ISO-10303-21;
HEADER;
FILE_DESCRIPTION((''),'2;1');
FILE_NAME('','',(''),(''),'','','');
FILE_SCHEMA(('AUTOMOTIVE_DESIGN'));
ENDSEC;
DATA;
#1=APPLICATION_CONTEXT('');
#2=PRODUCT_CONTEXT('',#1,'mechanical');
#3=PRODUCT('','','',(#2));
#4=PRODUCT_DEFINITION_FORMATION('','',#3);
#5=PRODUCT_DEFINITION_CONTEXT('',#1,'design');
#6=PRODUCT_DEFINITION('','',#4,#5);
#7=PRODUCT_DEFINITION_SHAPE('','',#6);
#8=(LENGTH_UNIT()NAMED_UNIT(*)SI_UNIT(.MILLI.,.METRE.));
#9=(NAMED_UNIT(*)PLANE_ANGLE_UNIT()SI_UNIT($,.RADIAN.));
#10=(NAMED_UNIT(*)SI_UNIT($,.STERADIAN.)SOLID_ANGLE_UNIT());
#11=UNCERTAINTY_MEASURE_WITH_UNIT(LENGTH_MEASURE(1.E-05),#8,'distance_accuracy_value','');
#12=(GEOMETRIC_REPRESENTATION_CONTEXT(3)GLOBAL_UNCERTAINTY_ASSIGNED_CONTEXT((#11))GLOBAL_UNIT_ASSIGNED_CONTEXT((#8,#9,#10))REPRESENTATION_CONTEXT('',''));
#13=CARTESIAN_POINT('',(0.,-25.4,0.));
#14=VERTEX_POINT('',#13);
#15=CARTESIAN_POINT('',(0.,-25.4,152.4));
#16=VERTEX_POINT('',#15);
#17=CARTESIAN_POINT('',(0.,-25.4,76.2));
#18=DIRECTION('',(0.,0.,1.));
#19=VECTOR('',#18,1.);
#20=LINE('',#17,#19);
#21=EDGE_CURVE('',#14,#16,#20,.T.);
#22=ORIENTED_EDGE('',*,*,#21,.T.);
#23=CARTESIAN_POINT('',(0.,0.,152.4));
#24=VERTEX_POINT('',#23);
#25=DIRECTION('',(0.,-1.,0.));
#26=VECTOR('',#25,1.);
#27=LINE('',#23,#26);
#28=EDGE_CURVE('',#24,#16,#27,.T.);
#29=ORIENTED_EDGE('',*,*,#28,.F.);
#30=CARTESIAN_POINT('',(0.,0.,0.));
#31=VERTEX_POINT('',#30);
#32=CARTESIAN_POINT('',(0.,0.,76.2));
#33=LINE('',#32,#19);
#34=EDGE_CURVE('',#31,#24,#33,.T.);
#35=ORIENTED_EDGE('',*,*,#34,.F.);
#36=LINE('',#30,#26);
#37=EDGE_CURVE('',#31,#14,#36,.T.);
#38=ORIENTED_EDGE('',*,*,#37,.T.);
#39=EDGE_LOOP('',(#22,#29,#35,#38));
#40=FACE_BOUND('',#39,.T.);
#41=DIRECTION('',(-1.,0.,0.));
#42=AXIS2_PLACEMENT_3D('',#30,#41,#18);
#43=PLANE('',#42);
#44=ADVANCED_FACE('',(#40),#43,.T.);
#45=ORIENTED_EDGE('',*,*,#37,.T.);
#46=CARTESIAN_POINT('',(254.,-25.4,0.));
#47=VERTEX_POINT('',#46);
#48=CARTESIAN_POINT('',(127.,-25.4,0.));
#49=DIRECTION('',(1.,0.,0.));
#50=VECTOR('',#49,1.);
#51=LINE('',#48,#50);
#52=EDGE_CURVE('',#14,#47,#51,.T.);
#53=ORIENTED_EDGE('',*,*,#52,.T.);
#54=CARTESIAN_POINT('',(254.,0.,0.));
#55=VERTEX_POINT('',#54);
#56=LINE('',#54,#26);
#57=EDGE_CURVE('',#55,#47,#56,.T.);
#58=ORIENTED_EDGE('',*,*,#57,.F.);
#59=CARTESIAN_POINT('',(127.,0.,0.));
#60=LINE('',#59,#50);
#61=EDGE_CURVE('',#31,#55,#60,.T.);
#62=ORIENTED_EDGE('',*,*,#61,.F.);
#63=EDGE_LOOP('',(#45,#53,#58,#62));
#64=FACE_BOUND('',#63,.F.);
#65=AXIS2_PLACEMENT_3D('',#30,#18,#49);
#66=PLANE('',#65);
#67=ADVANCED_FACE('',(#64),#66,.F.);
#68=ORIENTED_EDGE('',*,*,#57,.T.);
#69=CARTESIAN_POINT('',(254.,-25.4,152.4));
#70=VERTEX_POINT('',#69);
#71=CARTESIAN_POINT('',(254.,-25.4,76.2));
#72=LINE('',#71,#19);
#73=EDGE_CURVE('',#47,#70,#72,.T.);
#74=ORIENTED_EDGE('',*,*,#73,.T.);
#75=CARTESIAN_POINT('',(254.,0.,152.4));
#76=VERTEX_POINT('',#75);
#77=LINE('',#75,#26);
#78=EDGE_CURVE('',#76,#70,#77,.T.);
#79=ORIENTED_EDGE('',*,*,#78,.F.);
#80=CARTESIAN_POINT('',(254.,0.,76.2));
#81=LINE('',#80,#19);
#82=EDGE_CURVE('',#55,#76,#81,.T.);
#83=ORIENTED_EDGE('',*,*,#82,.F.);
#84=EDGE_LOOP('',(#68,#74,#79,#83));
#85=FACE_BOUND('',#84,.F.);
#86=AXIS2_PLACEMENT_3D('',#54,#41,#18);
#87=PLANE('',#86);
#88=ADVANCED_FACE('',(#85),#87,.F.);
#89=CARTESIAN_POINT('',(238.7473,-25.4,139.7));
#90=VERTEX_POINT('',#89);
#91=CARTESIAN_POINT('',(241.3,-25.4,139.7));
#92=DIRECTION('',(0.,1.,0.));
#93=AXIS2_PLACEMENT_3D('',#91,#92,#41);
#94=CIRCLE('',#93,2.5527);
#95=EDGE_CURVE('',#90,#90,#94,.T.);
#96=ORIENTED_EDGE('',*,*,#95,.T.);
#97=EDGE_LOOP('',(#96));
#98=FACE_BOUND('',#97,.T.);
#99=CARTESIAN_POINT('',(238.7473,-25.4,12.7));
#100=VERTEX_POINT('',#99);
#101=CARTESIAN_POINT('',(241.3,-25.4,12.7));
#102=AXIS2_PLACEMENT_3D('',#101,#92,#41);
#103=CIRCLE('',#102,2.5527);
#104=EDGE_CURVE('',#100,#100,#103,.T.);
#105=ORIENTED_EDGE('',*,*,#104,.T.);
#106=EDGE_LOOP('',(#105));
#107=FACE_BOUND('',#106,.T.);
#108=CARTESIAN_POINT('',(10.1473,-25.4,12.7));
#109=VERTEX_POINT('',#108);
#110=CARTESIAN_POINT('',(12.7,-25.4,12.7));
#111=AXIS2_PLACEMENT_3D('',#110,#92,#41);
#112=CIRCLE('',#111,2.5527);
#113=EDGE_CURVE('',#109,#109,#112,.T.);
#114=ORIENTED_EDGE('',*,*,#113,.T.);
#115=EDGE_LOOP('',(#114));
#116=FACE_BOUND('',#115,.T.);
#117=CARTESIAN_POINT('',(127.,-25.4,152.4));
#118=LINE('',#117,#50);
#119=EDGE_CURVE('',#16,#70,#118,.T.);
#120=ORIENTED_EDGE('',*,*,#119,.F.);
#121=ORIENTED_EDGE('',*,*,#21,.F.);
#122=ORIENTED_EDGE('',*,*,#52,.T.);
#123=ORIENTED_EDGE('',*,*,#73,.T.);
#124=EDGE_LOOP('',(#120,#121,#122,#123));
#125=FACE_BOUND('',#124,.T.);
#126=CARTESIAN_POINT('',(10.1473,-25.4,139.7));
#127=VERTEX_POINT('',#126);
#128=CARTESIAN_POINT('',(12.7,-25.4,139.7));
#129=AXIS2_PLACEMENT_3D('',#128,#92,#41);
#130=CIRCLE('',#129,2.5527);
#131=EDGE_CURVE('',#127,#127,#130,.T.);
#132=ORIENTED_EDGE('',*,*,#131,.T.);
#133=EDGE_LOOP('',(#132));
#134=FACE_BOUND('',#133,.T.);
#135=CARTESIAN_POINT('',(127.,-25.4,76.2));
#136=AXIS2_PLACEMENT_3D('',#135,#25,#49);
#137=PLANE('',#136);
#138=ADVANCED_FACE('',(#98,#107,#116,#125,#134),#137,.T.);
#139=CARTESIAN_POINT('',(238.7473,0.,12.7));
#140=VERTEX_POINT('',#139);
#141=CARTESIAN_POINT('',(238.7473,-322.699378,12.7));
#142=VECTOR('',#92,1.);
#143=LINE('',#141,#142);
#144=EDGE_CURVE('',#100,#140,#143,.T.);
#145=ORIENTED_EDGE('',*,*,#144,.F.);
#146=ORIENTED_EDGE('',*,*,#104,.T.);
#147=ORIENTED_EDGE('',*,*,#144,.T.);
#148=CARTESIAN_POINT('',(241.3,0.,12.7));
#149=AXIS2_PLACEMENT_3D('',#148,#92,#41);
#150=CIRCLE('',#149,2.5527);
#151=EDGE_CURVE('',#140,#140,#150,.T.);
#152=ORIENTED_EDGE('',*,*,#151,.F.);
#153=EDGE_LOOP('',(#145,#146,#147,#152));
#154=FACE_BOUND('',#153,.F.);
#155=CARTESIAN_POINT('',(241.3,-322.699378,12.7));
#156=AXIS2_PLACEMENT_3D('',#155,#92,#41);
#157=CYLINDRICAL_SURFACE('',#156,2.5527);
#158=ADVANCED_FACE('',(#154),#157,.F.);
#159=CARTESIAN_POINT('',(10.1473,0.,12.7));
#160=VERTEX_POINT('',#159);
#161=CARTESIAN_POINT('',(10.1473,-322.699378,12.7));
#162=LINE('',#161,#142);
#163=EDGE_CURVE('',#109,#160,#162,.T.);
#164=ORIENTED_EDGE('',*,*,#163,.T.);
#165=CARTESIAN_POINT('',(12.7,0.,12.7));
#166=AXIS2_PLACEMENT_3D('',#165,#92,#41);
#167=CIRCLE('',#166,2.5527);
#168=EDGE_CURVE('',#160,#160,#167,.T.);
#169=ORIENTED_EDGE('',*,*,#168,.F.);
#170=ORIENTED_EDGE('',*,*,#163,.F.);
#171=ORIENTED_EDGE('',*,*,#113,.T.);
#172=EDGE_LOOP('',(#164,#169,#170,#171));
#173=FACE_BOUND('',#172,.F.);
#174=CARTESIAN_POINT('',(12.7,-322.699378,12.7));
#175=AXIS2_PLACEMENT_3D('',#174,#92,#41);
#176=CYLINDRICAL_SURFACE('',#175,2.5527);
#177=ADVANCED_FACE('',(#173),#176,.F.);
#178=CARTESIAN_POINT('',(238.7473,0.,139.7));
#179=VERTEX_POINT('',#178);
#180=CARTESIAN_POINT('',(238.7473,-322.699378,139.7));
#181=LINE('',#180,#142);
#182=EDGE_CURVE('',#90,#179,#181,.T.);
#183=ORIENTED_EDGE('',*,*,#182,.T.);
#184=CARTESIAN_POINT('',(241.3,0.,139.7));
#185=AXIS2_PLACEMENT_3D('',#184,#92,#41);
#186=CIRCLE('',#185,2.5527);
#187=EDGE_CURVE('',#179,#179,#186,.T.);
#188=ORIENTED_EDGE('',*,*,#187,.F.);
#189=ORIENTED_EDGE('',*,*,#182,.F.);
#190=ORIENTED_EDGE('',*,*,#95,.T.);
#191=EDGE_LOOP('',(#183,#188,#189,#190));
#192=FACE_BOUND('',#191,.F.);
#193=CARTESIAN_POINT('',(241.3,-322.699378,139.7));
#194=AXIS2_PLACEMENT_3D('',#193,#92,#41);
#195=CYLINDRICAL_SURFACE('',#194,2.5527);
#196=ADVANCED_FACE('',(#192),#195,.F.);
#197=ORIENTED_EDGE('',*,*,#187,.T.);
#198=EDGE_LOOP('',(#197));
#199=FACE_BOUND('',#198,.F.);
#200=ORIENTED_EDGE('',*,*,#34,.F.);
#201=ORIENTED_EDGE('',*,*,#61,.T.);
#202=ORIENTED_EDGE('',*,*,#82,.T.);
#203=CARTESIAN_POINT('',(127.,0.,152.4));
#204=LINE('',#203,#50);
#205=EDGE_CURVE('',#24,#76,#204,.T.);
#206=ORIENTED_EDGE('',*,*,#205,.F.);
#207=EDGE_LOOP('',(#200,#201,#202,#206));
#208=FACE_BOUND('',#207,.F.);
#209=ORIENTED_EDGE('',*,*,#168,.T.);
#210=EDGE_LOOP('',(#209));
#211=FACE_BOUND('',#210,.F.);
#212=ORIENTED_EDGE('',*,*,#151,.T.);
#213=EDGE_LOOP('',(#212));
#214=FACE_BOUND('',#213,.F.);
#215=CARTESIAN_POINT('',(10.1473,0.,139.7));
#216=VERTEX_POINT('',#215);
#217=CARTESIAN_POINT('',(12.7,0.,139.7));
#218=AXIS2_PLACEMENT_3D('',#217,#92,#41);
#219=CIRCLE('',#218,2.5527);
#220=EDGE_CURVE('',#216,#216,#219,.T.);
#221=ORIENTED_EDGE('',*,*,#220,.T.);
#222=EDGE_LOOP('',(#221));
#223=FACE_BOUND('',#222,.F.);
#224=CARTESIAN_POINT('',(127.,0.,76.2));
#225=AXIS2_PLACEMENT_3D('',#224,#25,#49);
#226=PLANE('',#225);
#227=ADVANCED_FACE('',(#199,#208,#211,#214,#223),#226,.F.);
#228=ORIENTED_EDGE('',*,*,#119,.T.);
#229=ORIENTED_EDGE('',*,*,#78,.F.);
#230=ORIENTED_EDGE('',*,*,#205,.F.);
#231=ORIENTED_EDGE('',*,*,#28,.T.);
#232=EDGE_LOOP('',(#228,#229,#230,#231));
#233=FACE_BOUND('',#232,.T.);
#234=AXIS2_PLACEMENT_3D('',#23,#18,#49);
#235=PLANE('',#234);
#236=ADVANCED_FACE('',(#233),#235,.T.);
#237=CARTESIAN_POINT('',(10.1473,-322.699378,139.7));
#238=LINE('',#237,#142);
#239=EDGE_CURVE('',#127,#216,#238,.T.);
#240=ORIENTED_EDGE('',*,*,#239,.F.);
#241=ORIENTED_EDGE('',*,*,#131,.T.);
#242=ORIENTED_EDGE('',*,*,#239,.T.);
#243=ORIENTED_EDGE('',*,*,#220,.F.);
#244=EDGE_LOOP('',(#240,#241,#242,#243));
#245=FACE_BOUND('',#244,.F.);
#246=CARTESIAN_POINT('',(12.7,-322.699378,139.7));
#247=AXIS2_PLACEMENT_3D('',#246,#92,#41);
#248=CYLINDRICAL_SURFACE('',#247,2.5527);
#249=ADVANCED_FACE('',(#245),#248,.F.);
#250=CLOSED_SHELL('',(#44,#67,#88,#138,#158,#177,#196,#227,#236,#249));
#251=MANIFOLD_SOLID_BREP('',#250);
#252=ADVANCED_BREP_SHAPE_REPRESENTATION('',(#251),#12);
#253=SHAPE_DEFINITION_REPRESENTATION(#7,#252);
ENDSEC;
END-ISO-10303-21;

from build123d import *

# Parameters (mm, degrees)
F0_W     = 254
F0_H     = 152.4
F1_DEPTH = 25.4
F3_D     = 5.1054


with BuildPart() as f1:
    # F0 (on Front) → F1 (new body)
    with BuildSketch(Plane.XZ):
        with Locations((127, 76.2)):
            Rectangle(F0_W, F0_H)
    extrude(amount=F1_DEPTH)

    # F3 (through all)
    with Locations(Plane.XZ.offset(25.4)):
        with Locations((12.7, 139.7), (241.3, 139.7), (241.3, 12.7), (12.7, 12.7)):
            Hole(F3_D / 2)


solid = f1.part
